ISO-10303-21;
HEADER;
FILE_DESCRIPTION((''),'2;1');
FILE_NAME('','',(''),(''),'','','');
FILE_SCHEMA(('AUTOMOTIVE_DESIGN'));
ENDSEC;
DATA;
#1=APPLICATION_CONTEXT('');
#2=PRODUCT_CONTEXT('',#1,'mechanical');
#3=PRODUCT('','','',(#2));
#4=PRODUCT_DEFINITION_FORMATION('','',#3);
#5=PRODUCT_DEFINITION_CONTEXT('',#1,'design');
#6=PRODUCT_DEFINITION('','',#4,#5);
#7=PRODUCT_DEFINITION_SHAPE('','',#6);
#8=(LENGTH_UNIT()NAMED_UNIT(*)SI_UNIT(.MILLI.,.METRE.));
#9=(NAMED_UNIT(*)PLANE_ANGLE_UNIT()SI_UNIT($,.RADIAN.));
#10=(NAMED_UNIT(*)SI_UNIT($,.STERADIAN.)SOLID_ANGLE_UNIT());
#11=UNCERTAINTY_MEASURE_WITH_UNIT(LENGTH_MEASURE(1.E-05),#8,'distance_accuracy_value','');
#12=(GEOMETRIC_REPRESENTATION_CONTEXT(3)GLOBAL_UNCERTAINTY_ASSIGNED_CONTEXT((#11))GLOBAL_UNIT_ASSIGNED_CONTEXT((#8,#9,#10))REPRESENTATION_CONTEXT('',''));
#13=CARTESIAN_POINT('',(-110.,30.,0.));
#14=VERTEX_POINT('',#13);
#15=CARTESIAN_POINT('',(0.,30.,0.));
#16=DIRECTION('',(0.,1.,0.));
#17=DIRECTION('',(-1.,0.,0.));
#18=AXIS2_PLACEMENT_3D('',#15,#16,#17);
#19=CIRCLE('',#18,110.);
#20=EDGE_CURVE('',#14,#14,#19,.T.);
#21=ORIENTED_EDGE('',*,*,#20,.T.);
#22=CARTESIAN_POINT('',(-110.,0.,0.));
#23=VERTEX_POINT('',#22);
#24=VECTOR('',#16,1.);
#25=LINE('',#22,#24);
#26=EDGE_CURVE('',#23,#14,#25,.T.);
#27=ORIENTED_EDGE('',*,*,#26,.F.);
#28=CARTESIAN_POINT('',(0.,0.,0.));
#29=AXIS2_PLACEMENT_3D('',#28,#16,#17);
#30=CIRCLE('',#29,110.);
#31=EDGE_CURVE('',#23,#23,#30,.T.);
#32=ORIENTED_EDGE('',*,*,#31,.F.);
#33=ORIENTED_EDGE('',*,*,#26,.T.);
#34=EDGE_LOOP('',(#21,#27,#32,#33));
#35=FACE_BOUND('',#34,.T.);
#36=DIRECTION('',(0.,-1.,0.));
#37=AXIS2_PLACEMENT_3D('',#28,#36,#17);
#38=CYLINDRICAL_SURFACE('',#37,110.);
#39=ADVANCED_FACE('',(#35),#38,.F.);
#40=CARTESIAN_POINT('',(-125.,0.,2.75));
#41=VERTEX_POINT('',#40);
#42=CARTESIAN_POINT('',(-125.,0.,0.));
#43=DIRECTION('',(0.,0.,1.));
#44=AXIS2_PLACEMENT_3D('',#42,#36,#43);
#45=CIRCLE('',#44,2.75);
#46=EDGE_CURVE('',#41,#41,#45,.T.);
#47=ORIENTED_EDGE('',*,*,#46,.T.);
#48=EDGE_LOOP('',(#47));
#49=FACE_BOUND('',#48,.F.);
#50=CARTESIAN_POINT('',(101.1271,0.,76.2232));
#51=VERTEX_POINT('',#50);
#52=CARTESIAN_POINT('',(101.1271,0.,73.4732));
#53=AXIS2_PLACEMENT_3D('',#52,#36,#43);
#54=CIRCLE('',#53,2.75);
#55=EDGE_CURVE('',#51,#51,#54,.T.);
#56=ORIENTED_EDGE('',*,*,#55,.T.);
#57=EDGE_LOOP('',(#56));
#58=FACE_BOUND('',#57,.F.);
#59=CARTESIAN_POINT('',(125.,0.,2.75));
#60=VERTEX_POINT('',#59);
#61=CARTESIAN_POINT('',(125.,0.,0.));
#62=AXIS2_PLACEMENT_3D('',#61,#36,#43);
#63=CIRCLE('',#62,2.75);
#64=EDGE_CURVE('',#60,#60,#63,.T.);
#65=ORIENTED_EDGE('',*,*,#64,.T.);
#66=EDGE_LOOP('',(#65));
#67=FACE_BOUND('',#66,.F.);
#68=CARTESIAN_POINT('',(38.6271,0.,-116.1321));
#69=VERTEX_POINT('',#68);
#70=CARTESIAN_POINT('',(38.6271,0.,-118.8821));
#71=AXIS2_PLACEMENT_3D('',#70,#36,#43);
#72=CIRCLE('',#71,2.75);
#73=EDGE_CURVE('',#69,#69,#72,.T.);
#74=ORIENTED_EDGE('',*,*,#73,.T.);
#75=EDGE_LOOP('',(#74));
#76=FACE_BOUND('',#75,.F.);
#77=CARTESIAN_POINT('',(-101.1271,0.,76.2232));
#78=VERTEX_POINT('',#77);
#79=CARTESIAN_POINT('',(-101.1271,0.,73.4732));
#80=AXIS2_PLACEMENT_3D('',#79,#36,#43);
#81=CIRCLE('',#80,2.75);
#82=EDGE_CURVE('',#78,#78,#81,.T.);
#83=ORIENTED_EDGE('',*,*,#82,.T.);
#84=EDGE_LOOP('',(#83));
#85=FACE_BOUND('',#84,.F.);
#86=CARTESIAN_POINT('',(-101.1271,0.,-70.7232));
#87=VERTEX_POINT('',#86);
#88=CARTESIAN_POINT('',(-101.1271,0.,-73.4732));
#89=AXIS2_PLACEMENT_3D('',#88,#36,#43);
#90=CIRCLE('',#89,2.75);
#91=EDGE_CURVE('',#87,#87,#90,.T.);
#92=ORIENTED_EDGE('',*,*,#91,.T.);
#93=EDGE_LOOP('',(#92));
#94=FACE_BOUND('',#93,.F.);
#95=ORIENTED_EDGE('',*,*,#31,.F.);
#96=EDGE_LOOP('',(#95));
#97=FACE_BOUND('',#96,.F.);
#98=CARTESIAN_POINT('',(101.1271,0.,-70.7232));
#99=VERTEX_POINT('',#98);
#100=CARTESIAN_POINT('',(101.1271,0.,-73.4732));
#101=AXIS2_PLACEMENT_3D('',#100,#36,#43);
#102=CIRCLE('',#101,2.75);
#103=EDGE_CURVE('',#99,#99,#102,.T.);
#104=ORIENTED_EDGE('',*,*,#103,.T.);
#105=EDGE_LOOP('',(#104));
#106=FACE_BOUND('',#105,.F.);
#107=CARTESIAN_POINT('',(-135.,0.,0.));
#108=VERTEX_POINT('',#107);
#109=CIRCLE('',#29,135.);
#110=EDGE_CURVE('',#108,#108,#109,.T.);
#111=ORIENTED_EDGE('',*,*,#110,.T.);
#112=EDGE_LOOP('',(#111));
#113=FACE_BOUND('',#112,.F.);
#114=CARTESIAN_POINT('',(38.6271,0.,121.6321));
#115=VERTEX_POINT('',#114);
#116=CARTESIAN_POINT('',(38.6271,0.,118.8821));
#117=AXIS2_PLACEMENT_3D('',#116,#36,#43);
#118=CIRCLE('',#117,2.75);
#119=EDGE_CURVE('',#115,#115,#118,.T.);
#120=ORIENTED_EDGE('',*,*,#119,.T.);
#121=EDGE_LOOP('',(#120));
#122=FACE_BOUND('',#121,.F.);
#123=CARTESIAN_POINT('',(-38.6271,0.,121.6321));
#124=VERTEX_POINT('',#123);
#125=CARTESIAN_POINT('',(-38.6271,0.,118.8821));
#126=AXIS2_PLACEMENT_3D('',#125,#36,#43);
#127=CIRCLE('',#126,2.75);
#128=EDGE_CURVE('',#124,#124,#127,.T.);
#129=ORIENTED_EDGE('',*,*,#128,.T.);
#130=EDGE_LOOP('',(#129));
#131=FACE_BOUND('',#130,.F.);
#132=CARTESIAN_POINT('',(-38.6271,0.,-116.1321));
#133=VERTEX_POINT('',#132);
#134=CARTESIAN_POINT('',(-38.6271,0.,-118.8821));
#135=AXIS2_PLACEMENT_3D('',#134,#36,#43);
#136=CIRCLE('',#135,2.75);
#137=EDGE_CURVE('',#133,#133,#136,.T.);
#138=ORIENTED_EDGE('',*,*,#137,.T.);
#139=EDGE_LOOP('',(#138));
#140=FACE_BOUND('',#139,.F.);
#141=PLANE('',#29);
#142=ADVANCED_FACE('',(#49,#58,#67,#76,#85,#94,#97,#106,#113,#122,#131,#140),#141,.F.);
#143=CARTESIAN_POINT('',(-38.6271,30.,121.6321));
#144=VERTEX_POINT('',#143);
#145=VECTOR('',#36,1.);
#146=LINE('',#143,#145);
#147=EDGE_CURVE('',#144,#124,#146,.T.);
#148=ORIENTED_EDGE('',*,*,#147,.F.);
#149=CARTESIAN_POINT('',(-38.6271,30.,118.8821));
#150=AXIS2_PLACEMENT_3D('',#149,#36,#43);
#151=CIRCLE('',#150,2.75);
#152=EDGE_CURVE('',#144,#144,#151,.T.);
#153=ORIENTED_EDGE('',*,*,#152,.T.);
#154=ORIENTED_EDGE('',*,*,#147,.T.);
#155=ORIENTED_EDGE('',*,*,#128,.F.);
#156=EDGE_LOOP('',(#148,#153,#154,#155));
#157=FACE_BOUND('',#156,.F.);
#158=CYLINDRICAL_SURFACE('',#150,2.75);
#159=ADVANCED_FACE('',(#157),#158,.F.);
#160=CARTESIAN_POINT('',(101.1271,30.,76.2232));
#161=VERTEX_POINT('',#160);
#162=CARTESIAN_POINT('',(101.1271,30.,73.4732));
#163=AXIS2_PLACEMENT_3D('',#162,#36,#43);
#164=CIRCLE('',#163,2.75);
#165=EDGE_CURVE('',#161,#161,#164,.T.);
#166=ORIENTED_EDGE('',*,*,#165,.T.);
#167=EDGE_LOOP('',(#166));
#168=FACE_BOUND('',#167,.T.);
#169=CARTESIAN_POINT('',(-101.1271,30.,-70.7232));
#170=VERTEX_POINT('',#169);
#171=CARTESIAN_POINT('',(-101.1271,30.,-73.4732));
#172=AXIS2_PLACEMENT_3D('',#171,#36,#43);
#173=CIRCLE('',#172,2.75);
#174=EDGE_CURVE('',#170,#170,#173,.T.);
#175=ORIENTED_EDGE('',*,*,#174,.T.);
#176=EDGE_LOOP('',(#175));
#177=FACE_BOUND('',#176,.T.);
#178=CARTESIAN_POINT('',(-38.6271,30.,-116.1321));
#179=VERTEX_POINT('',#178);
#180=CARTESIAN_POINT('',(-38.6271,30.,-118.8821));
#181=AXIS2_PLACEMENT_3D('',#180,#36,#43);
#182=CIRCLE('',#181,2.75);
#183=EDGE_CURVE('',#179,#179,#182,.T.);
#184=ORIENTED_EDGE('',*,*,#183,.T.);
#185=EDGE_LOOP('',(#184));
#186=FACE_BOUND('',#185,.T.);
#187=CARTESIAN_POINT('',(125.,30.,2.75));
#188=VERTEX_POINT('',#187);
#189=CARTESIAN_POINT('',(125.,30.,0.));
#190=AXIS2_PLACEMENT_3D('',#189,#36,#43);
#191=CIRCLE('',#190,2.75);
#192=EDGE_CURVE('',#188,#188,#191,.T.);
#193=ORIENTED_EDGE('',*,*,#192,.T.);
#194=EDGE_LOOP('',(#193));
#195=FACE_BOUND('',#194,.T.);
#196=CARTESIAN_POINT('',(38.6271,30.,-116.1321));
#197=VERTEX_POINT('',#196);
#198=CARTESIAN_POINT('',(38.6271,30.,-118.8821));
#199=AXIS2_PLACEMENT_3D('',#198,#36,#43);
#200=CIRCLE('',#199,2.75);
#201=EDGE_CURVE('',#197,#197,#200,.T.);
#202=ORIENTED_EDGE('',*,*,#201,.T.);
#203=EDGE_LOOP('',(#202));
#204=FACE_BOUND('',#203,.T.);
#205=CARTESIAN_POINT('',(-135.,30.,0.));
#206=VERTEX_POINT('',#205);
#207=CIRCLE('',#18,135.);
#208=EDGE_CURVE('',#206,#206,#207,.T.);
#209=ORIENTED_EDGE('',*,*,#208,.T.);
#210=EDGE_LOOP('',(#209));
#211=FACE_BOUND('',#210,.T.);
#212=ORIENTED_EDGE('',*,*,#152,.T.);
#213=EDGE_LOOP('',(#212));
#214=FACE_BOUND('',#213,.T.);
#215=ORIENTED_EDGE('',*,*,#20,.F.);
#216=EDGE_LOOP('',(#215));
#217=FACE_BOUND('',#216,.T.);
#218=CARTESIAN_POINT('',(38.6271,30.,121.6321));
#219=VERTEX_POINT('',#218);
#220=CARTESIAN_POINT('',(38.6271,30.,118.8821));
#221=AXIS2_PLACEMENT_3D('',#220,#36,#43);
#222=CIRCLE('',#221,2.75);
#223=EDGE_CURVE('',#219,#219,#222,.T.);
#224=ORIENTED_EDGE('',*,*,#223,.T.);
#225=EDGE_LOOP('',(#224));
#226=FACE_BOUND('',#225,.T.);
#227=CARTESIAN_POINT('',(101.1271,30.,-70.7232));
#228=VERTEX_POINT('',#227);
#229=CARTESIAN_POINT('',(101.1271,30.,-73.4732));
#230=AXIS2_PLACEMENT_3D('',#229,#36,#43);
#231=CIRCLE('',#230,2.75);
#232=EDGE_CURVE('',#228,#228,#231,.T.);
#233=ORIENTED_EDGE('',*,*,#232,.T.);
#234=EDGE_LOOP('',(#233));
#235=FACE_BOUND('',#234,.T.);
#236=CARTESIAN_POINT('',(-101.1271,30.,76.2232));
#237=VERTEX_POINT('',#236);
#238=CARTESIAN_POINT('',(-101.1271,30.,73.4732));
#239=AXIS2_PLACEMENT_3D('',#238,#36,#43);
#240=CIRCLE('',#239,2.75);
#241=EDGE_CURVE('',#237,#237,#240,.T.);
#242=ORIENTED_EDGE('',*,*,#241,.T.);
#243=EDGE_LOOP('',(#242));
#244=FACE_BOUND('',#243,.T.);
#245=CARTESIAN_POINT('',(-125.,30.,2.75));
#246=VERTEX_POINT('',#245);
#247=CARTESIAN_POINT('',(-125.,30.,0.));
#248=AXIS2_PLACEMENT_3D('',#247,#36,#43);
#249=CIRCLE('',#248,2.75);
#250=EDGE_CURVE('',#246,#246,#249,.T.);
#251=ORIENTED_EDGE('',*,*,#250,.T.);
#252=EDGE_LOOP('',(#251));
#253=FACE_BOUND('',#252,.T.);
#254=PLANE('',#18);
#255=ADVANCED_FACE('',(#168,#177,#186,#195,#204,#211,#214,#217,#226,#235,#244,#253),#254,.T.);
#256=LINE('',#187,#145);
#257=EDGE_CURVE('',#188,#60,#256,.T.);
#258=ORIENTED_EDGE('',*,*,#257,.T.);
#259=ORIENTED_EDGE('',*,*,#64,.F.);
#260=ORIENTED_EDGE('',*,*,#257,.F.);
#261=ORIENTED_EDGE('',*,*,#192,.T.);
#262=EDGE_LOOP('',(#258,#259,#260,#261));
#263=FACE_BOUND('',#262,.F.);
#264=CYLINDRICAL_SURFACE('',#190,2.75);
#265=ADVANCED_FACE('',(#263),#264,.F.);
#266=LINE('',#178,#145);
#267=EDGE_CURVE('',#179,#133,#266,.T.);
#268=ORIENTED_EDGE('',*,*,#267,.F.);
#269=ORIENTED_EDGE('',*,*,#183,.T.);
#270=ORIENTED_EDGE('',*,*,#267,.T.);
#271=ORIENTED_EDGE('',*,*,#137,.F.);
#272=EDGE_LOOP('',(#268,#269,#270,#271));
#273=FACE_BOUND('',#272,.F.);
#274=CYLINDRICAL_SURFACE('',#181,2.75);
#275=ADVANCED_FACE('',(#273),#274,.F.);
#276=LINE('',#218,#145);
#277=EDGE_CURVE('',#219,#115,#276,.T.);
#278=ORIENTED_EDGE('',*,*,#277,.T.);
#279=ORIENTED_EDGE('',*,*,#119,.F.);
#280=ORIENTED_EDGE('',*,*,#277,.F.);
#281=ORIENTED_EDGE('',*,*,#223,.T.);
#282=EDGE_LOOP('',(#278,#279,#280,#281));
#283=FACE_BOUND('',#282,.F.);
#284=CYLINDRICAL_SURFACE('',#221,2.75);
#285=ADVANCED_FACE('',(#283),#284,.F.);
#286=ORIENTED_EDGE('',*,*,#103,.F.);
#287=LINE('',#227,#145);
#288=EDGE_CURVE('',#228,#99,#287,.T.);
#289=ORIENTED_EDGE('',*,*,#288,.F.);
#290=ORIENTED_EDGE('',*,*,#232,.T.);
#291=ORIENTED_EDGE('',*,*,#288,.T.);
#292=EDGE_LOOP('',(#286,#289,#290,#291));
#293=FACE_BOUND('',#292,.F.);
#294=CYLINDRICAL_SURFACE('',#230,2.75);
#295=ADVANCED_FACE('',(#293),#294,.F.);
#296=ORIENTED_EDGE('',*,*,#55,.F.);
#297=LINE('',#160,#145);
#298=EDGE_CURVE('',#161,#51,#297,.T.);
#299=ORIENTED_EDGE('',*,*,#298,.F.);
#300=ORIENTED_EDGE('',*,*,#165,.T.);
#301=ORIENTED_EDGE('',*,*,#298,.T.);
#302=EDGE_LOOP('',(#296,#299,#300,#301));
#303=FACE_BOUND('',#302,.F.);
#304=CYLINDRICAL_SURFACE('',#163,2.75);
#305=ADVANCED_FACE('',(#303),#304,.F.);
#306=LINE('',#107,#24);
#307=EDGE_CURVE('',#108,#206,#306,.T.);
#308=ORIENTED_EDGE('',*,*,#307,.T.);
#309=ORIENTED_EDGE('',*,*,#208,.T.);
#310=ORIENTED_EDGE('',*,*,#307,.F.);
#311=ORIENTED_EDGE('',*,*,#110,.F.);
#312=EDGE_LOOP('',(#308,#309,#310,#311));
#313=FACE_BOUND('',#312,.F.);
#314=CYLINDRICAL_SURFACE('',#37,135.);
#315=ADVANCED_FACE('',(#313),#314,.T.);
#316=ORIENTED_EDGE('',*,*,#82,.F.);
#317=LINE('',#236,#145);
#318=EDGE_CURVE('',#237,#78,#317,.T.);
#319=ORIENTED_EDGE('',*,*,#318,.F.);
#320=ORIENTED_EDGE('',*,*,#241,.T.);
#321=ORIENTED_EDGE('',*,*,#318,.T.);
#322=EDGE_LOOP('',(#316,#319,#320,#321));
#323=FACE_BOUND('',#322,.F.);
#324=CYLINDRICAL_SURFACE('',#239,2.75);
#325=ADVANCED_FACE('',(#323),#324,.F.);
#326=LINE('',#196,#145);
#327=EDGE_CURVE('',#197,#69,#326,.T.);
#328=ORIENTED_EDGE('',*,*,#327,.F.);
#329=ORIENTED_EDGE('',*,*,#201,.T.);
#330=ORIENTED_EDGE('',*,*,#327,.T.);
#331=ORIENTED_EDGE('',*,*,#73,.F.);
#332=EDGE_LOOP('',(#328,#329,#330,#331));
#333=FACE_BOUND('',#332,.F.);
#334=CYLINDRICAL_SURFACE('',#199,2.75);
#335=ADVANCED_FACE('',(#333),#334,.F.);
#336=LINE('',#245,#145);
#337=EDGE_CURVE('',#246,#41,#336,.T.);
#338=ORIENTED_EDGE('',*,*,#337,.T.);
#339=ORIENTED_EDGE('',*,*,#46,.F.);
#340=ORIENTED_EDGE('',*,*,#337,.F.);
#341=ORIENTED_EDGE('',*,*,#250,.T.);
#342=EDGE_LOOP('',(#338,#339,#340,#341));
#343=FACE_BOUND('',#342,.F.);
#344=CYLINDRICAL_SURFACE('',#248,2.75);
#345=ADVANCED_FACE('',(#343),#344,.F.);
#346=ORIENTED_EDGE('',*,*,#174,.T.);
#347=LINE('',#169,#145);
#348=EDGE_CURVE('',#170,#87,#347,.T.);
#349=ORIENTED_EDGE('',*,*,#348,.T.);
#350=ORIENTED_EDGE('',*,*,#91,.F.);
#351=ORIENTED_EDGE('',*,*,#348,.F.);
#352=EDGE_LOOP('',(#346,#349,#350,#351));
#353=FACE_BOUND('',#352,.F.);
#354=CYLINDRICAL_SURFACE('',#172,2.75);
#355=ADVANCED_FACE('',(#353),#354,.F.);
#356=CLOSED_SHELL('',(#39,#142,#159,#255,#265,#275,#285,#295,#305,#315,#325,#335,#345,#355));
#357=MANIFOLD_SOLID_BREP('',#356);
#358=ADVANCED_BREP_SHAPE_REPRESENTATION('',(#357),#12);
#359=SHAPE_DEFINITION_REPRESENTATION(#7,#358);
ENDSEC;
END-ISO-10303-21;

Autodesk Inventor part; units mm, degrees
ref_plane "YZ Plane" through (0, 0, 0) normal (1, 0, 0) x (0, 1, 0)
ref_plane "XZ Plane" through (0, 0, 0) normal (0, 1, 0) x (-1, 0, 0)
ref_plane "XY Plane" through (0, 0, 0) normal (0, 0, 1) x (1, 0, 0)
sketch "Sketch1" plane through (0, 0, 0) normal (0, 1, 0) x (-1, 0, 0)
  circle A0 centre (0, 0) radius 135
  circle A1 centre (0, 0) radius 110
  dimension "d0" = 270
  dimension "d1" = 220
extrude "Extrusion1" add sketch "Sketch1" along normal blind 30
sketch "Sketch3" plane through (0, 30, 0) normal (0, 1, 0) x (1, 0, 0)
  circle A0 centre (0, 0) radius 125
  circle A1 centre (-125, 0) radius 2
  circle A2 centre (-101.1271, -73.4732) radius 2
  circle A3 centre (-38.6271, -118.8821) radius 2
  circle A4 centre (38.6271, -118.8821) radius 2
  circle A5 centre (101.1271, -73.4732) radius 2
  circle A6 centre (125, 0) radius 2
  circle A7 centre (101.1271, 73.4732) radius 2
  circle A8 centre (38.6271, 118.8821) radius 2
  circle A9 centre (-38.6271, 118.8821) radius 2
  circle A10 centre (-101.1271, 73.4732) radius 2
  dimension "d8" = 250
  dimension "d9" = 4
  dimension "d12" = 360
hole "Hole1" at (101.1271, 30, 73.4732) at (125, 30, 0) at (101.1271, 30, -73.4732) at (38.6271, 30, -118.8821) at (-38.6271, 30, -118.8821) at (-101.1271, 30, -73.4732) at (-125, 30, 0) at (-101.1271, 30, 73.4732) at (-38.6271, 30, 118.8821) at (38.6271, 30, 118.8821) direction (0, -1, 0) diameter 5.5 end through all
sketch "Sketch8" plane through (0, 30, 0) normal (0, 1, 0) x (1, 0, 0)
  circle A0 centre (0, 0) radius 110
  circle A1 centre (0, 0) radius 62.5
  dimension "d36" = 125
  dimension "d41" = 220
extrude "Extrusion7" [suppressed]
sketch "Sketch9" plane through (0, 30, 0) normal (0, 1, 0) x (1, 0, 0)
  circle A0 centre (0, 0) radius 110
extrude "Extrusion8" [suppressed]
sketch "Sketch10" plane through (0, 25, 0) normal (0, 1, 0) x (1, 0, 0)
  circle A0 centre (0, 0) radius 65
  circle A1 centre (0, 0) radius 62.5
  dimension "d42" = 130
extrude "Extrusion9" [suppressed]
sketch "Sketch11" plane through (0, 25, 0) normal (0, 1, 0) x (1, 0, 0)
  circle A0 centre (0, 0) radius 75
  circle A1 centre (0, 0) radius 65 projected
  circle A2 centre (0, 0) radius 76.5
  dimension "d45" = 150
  dimension "d46" = 153
extrude "Extrusion10" [suppressed]
sketch "Sketch12" plane through (0, 25, 0) normal (0, 1, 0) x (1, 0, 0)
  circle A0 centre (0, 0) radius 85
  circle A1 centre (0, -85) radius 2.75
  circle A2 centre (73.6122, -42.5) radius 2.75
  circle A3 centre (73.6122, 42.5) radius 2.75
  circle A4 centre (0, 85) radius 2.75
  circle A5 centre (-73.6122, 42.5) radius 2.75
  circle A6 centre (-73.6122, -42.5) radius 2.75
  dimension "d49" = 170
  dimension "d55" = 5.5
  dimension "d58" = 360
extrude "Extrusion11" [suppressed]
properties part number "Cylinder Bottom"
